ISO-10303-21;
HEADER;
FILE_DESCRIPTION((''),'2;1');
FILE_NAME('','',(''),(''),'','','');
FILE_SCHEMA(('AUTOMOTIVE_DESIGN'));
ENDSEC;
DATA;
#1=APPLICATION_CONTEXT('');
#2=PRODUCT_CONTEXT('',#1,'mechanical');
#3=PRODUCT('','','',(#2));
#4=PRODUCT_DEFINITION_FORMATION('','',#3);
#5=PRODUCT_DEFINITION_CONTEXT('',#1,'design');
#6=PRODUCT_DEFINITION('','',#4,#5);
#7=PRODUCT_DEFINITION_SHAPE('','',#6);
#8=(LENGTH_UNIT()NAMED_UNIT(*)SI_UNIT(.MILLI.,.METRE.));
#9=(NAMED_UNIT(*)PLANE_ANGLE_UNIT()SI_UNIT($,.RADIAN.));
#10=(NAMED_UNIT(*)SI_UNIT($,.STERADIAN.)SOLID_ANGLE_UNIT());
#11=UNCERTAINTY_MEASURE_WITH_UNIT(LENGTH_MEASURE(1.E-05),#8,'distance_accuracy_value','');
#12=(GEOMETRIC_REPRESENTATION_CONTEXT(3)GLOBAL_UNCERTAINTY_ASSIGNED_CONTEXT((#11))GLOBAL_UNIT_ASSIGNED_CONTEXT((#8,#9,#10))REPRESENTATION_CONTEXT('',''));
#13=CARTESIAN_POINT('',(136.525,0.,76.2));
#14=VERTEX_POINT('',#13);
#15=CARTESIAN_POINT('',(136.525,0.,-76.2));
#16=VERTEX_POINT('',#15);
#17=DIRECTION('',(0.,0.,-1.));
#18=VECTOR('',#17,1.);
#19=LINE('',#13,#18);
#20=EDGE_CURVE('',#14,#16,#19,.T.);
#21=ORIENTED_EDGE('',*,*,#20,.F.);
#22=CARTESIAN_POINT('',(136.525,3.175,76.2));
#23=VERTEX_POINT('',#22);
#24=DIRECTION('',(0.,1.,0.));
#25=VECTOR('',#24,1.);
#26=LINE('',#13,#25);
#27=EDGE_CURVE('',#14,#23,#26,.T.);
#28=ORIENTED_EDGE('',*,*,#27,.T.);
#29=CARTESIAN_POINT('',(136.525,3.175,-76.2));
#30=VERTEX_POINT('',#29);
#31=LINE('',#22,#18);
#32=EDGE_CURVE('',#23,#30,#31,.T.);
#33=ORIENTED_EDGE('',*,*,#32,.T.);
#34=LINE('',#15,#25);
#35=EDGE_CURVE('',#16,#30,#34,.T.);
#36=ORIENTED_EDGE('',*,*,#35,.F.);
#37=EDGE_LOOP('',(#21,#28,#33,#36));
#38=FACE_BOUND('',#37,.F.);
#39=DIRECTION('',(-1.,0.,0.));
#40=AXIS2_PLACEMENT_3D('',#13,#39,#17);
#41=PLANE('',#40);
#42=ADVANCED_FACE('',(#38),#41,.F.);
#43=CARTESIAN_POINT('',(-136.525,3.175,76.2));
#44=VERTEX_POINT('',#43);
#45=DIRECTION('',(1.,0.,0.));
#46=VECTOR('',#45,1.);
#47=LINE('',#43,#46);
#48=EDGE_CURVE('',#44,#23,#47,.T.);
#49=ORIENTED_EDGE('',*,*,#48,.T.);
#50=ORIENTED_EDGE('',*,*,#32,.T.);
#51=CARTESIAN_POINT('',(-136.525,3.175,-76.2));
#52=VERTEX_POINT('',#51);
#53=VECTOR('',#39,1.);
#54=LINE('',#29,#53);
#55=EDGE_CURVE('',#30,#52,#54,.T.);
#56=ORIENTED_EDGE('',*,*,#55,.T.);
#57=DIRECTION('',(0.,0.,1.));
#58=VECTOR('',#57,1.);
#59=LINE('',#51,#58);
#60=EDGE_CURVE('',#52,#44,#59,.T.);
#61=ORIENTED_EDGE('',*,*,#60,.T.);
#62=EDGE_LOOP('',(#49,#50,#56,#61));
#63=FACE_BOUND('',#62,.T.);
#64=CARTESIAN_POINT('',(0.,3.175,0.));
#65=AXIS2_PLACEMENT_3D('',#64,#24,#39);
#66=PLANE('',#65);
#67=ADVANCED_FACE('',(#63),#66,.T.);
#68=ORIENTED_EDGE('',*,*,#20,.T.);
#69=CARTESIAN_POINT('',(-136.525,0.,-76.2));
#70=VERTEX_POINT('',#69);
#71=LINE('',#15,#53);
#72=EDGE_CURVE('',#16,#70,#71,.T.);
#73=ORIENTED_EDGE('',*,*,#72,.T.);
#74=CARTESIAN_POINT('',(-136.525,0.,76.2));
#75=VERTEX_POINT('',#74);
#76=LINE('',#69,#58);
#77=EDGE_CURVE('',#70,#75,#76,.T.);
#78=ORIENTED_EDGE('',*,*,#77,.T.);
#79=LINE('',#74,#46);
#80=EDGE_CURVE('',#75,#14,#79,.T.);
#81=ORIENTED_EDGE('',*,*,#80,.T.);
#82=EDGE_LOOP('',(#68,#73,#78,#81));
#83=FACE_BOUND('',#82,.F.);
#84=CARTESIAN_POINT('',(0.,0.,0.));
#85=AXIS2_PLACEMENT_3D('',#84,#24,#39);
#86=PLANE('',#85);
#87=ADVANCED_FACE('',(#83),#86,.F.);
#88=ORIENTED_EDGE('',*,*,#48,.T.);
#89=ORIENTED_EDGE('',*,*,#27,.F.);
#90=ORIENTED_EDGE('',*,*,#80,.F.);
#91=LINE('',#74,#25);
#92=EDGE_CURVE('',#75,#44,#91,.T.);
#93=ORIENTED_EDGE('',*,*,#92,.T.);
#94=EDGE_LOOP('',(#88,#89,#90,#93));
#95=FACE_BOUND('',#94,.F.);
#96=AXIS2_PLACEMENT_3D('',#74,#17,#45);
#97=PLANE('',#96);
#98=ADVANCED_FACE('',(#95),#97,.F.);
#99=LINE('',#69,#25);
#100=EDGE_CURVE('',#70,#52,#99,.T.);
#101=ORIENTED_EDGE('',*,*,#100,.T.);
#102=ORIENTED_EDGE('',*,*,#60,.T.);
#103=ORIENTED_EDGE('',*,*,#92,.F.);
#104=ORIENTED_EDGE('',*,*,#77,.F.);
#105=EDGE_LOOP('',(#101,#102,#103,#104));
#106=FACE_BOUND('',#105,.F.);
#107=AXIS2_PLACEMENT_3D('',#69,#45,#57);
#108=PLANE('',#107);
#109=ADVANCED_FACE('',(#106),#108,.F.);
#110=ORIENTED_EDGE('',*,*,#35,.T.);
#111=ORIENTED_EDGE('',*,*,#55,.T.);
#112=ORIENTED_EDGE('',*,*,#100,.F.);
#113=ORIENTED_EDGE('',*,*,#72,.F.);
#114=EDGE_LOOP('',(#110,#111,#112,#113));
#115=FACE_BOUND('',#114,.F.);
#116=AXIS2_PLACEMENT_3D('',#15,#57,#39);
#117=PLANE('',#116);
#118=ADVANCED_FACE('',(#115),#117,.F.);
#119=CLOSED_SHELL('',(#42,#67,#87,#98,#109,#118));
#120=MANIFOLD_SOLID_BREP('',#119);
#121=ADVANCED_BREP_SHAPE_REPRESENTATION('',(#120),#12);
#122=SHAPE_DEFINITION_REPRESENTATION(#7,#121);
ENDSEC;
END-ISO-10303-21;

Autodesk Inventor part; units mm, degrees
ref_plane "XZ Plane" through (0, 0, 0) normal (0, 1, 0) x (-1, 0, 0)
ref_plane "XY Plane" through (0, 0, 0) normal (0, 0, 1) x (1, 0, 0)
sketch "Sketch1" plane through (0, 0, 0) normal (0, 1, 0) x (-1, 0, 0)
  line L0 (136.525, 76.2) -> (-136.525, 76.2)
  line L1 (-136.525, 76.2) -> (-136.525, -76.2)
  line L2 (-136.525, -76.2) -> (136.525, -76.2)
  line L3 (136.525, -76.2) -> (136.525, 76.2)
  point P0 (0, 0)
  dimension "d0" = 152.4
  dimension "d1" = 273.05
  dimension "d2" = 136.525
  dimension "d3" = 76.2
extrude "Extrusion1" add sketch "Sketch1" along normal blind 3.175
properties part number "Back Plate"
